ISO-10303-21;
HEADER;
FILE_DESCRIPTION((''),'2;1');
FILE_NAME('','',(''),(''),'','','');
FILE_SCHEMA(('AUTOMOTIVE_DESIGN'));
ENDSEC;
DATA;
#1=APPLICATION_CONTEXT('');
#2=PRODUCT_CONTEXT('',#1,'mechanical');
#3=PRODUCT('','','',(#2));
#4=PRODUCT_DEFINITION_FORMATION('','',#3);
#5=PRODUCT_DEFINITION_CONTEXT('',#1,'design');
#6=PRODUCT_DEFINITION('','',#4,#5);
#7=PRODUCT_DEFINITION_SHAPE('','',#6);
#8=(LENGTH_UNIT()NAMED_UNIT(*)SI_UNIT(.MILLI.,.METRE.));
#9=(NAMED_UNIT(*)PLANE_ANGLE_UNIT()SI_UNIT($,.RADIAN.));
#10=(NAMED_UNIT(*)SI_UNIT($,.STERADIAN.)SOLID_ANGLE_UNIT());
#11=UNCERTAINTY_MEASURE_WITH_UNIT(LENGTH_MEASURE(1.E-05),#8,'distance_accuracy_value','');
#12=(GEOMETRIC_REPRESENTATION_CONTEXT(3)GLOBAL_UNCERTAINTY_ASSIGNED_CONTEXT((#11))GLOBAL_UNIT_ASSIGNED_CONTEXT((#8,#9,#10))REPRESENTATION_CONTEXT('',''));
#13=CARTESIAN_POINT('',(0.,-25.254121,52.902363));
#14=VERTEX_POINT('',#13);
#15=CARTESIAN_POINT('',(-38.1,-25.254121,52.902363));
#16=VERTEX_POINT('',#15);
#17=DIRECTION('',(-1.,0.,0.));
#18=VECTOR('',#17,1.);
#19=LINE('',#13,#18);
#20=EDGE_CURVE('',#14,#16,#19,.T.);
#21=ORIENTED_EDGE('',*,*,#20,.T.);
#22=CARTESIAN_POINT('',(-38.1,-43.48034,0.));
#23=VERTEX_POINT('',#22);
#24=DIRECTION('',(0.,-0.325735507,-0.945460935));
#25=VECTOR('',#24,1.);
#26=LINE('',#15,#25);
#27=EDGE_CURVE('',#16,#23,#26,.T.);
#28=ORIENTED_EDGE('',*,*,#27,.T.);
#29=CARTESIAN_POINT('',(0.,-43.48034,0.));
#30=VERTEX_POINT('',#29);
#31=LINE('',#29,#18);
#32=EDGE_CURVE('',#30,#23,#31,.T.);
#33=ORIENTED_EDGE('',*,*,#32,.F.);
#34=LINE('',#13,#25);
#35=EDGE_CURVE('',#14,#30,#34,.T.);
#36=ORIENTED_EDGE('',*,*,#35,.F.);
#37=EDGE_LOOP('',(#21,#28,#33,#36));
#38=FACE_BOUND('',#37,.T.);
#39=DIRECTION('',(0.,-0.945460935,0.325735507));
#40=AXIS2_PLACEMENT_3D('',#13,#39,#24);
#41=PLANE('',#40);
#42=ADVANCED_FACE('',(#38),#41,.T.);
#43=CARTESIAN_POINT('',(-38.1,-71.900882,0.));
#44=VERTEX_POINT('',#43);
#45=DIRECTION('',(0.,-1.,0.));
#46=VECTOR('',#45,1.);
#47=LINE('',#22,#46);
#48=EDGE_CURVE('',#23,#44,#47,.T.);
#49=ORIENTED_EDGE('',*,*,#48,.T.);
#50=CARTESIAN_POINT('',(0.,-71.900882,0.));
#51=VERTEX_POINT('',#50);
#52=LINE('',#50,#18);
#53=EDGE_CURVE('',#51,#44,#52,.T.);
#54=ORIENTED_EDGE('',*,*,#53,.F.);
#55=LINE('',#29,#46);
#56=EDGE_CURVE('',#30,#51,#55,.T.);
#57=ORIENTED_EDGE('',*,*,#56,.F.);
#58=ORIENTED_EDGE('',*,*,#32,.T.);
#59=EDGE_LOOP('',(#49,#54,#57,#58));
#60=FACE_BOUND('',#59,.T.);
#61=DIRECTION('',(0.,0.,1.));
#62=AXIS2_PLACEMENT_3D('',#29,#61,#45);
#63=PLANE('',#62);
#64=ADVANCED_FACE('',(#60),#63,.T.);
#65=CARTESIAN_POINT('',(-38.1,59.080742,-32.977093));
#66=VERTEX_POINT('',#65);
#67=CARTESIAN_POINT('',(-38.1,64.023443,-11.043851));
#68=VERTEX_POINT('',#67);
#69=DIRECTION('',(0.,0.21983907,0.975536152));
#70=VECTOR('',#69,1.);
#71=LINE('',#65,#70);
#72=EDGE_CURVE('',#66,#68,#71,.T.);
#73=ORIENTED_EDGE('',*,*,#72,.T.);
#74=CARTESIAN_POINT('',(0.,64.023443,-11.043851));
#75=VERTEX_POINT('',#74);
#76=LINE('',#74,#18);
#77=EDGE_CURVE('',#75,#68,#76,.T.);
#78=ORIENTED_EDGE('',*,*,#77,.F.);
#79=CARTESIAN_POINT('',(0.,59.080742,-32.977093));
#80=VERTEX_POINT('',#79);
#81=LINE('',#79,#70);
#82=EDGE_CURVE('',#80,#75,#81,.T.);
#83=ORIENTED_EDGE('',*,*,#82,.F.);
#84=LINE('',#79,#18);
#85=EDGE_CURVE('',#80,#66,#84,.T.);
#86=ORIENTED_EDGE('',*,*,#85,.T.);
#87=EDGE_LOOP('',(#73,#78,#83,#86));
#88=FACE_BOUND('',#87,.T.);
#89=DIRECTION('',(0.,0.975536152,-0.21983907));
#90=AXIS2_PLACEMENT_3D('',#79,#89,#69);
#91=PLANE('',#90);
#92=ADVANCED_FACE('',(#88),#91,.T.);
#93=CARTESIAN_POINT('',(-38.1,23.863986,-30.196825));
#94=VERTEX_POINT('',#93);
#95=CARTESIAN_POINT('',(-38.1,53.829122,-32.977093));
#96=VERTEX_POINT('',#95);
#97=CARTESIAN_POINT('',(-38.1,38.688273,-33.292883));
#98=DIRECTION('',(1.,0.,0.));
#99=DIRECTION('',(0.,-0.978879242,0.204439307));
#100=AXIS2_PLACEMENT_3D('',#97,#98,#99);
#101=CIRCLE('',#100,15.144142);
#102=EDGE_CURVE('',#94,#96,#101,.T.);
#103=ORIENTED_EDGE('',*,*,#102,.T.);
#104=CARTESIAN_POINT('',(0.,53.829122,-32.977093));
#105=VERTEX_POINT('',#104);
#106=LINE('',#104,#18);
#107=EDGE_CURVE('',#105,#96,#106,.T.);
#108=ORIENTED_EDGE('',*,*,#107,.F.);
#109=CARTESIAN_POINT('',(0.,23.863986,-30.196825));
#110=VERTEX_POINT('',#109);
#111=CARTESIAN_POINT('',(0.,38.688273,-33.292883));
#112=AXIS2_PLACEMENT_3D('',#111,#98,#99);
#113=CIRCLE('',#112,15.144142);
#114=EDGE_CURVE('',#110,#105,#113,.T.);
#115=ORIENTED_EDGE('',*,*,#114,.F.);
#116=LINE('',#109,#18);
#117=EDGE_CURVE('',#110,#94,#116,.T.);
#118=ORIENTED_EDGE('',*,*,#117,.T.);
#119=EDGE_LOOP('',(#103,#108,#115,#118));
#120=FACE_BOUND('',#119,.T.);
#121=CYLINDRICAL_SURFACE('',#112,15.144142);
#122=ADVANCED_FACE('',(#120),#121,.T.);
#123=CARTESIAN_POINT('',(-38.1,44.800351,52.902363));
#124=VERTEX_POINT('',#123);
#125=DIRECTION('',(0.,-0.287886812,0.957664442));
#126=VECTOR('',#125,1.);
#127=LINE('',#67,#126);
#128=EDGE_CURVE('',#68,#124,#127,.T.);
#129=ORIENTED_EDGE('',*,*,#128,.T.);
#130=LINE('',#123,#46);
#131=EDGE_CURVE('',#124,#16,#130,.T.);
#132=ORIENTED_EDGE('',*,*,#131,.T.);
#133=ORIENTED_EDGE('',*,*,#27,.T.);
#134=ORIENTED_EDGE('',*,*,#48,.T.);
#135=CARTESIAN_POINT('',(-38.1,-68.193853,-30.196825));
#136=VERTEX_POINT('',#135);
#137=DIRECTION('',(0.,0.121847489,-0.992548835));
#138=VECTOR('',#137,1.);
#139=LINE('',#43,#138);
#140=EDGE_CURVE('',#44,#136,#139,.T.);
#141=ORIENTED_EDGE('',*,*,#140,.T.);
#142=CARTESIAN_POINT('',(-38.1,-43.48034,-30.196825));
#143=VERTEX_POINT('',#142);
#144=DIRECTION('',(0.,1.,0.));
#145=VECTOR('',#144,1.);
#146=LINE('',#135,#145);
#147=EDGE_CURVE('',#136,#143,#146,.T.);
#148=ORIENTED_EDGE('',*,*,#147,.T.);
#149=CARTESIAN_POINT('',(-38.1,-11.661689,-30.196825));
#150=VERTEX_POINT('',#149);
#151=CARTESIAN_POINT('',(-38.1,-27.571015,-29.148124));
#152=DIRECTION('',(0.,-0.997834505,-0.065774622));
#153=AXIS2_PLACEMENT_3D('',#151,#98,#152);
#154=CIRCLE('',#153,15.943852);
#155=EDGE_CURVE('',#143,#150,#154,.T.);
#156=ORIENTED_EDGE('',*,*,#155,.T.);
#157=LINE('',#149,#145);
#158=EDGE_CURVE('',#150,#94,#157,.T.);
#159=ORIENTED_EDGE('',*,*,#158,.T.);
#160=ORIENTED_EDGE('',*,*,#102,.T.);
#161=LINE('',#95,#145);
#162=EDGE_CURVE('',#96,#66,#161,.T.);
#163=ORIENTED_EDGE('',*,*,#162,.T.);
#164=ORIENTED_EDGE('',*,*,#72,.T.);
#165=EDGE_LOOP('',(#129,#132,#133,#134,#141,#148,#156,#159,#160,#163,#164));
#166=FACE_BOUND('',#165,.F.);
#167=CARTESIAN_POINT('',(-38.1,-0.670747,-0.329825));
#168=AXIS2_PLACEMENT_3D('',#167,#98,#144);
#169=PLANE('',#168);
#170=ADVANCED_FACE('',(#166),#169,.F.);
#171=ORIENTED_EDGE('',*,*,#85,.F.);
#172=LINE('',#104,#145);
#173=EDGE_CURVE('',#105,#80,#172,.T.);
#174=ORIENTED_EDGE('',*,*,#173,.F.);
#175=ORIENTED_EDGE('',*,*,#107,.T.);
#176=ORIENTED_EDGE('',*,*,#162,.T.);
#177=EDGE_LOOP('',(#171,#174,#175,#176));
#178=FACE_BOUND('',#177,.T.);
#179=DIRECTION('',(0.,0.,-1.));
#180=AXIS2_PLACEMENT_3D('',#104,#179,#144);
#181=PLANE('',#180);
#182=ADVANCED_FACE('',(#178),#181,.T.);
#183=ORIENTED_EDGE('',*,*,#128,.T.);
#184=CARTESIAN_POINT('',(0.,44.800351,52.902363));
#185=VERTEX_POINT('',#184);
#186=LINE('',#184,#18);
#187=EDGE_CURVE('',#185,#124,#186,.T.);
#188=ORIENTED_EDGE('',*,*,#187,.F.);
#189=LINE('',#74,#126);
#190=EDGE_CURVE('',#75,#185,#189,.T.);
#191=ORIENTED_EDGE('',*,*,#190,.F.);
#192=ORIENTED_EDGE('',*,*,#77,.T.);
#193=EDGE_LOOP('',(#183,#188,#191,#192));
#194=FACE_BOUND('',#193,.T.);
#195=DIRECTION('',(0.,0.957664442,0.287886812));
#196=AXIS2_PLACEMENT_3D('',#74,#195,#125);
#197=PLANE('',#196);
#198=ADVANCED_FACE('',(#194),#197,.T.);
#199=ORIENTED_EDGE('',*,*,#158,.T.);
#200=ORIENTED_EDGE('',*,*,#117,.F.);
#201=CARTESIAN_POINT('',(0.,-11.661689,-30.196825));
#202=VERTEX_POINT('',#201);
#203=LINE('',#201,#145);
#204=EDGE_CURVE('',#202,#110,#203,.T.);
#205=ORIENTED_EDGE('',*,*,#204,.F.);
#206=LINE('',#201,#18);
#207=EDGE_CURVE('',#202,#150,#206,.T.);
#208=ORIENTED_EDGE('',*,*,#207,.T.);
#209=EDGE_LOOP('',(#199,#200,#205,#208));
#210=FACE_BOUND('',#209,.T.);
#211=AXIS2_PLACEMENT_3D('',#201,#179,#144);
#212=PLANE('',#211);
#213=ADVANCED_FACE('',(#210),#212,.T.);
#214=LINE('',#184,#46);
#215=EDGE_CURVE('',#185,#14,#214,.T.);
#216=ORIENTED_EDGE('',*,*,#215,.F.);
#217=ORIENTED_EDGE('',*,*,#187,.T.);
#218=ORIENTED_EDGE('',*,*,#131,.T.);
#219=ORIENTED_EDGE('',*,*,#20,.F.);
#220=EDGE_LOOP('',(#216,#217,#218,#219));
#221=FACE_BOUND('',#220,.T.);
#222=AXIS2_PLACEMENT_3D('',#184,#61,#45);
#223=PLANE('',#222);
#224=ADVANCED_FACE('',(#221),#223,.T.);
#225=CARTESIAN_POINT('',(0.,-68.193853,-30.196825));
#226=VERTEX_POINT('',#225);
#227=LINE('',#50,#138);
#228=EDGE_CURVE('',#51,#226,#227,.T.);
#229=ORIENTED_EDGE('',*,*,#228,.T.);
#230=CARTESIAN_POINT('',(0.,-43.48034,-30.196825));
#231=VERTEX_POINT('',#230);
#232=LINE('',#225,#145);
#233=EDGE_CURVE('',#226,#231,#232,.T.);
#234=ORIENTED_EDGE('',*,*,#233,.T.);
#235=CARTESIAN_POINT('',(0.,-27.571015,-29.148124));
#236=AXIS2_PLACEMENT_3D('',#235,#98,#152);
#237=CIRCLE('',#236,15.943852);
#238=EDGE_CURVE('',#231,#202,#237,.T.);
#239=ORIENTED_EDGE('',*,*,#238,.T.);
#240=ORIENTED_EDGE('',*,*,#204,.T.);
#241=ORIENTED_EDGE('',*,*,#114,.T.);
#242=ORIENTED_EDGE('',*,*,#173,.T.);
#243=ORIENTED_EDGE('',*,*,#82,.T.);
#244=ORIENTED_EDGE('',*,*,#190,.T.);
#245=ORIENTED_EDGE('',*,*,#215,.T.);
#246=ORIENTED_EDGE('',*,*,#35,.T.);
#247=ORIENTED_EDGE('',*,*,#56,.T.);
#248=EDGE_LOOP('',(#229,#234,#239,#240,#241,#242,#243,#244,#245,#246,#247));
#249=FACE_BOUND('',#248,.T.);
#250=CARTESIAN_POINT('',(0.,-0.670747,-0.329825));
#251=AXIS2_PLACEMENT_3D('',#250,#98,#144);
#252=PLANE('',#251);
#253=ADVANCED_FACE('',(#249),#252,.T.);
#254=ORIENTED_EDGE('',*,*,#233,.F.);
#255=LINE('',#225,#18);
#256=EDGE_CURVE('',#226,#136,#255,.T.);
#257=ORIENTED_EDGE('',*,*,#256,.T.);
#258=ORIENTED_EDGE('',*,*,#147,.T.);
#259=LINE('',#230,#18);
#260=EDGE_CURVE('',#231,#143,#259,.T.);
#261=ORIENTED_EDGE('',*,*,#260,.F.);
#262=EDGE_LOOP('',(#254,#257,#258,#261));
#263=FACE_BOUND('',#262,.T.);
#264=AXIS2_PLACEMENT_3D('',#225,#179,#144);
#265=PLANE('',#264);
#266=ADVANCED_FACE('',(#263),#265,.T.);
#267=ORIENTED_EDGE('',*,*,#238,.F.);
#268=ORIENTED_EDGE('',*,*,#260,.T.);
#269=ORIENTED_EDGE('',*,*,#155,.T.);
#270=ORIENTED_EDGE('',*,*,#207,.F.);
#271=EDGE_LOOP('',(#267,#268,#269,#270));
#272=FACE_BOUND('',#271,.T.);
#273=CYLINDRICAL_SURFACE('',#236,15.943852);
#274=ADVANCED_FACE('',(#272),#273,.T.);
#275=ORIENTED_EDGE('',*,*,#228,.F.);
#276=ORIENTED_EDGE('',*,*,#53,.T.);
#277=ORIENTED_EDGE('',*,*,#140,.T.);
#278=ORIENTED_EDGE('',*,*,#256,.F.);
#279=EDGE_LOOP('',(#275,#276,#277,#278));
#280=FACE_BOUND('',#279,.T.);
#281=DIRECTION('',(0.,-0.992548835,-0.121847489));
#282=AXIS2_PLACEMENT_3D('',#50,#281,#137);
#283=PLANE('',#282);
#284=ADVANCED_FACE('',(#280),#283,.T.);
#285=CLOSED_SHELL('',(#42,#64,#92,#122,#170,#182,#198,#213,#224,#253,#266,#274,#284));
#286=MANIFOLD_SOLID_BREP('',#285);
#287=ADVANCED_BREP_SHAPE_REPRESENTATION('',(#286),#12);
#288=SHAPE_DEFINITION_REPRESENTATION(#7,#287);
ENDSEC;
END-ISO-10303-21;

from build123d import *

# Parameters (mm, degrees)
F1_DEPTH = 38.1


with BuildPart() as f1:
    # F0 (on Right) → F1 (new body)
    with BuildSketch(Plane.YZ):
        with BuildLine():
            Line((44.800351, 52.902363), (-25.254121, 52.902363))
            Line((-25.254121, 52.902363), (-43.48034, 0))
            Line((-43.48034, 0), (-71.900882, 0))
            Line((-71.900882, 0), (-68.193853, -30.196825))
            Line((-68.193853, -30.196825), (-43.48034, -30.196825))
            ThreePointArc((-43.48034, -30.196825), (-27.571015, -45.091976), (-11.661689, -30.196825))
            Line((-11.661689, -30.196825), (23.863986, -30.196825))
            ThreePointArc((23.863986, -30.196825), (37.289157, -48.372257), (53.829122, -32.977093))
            Line((53.829122, -32.977093), (59.080742, -32.977093))
            Line((59.080742, -32.977093), (64.023443, -11.043851))
            Line((64.023443, -11.043851), (44.800351, 52.902363))
        make_face()
    extrude(amount=-F1_DEPTH)


solid = f1.part
